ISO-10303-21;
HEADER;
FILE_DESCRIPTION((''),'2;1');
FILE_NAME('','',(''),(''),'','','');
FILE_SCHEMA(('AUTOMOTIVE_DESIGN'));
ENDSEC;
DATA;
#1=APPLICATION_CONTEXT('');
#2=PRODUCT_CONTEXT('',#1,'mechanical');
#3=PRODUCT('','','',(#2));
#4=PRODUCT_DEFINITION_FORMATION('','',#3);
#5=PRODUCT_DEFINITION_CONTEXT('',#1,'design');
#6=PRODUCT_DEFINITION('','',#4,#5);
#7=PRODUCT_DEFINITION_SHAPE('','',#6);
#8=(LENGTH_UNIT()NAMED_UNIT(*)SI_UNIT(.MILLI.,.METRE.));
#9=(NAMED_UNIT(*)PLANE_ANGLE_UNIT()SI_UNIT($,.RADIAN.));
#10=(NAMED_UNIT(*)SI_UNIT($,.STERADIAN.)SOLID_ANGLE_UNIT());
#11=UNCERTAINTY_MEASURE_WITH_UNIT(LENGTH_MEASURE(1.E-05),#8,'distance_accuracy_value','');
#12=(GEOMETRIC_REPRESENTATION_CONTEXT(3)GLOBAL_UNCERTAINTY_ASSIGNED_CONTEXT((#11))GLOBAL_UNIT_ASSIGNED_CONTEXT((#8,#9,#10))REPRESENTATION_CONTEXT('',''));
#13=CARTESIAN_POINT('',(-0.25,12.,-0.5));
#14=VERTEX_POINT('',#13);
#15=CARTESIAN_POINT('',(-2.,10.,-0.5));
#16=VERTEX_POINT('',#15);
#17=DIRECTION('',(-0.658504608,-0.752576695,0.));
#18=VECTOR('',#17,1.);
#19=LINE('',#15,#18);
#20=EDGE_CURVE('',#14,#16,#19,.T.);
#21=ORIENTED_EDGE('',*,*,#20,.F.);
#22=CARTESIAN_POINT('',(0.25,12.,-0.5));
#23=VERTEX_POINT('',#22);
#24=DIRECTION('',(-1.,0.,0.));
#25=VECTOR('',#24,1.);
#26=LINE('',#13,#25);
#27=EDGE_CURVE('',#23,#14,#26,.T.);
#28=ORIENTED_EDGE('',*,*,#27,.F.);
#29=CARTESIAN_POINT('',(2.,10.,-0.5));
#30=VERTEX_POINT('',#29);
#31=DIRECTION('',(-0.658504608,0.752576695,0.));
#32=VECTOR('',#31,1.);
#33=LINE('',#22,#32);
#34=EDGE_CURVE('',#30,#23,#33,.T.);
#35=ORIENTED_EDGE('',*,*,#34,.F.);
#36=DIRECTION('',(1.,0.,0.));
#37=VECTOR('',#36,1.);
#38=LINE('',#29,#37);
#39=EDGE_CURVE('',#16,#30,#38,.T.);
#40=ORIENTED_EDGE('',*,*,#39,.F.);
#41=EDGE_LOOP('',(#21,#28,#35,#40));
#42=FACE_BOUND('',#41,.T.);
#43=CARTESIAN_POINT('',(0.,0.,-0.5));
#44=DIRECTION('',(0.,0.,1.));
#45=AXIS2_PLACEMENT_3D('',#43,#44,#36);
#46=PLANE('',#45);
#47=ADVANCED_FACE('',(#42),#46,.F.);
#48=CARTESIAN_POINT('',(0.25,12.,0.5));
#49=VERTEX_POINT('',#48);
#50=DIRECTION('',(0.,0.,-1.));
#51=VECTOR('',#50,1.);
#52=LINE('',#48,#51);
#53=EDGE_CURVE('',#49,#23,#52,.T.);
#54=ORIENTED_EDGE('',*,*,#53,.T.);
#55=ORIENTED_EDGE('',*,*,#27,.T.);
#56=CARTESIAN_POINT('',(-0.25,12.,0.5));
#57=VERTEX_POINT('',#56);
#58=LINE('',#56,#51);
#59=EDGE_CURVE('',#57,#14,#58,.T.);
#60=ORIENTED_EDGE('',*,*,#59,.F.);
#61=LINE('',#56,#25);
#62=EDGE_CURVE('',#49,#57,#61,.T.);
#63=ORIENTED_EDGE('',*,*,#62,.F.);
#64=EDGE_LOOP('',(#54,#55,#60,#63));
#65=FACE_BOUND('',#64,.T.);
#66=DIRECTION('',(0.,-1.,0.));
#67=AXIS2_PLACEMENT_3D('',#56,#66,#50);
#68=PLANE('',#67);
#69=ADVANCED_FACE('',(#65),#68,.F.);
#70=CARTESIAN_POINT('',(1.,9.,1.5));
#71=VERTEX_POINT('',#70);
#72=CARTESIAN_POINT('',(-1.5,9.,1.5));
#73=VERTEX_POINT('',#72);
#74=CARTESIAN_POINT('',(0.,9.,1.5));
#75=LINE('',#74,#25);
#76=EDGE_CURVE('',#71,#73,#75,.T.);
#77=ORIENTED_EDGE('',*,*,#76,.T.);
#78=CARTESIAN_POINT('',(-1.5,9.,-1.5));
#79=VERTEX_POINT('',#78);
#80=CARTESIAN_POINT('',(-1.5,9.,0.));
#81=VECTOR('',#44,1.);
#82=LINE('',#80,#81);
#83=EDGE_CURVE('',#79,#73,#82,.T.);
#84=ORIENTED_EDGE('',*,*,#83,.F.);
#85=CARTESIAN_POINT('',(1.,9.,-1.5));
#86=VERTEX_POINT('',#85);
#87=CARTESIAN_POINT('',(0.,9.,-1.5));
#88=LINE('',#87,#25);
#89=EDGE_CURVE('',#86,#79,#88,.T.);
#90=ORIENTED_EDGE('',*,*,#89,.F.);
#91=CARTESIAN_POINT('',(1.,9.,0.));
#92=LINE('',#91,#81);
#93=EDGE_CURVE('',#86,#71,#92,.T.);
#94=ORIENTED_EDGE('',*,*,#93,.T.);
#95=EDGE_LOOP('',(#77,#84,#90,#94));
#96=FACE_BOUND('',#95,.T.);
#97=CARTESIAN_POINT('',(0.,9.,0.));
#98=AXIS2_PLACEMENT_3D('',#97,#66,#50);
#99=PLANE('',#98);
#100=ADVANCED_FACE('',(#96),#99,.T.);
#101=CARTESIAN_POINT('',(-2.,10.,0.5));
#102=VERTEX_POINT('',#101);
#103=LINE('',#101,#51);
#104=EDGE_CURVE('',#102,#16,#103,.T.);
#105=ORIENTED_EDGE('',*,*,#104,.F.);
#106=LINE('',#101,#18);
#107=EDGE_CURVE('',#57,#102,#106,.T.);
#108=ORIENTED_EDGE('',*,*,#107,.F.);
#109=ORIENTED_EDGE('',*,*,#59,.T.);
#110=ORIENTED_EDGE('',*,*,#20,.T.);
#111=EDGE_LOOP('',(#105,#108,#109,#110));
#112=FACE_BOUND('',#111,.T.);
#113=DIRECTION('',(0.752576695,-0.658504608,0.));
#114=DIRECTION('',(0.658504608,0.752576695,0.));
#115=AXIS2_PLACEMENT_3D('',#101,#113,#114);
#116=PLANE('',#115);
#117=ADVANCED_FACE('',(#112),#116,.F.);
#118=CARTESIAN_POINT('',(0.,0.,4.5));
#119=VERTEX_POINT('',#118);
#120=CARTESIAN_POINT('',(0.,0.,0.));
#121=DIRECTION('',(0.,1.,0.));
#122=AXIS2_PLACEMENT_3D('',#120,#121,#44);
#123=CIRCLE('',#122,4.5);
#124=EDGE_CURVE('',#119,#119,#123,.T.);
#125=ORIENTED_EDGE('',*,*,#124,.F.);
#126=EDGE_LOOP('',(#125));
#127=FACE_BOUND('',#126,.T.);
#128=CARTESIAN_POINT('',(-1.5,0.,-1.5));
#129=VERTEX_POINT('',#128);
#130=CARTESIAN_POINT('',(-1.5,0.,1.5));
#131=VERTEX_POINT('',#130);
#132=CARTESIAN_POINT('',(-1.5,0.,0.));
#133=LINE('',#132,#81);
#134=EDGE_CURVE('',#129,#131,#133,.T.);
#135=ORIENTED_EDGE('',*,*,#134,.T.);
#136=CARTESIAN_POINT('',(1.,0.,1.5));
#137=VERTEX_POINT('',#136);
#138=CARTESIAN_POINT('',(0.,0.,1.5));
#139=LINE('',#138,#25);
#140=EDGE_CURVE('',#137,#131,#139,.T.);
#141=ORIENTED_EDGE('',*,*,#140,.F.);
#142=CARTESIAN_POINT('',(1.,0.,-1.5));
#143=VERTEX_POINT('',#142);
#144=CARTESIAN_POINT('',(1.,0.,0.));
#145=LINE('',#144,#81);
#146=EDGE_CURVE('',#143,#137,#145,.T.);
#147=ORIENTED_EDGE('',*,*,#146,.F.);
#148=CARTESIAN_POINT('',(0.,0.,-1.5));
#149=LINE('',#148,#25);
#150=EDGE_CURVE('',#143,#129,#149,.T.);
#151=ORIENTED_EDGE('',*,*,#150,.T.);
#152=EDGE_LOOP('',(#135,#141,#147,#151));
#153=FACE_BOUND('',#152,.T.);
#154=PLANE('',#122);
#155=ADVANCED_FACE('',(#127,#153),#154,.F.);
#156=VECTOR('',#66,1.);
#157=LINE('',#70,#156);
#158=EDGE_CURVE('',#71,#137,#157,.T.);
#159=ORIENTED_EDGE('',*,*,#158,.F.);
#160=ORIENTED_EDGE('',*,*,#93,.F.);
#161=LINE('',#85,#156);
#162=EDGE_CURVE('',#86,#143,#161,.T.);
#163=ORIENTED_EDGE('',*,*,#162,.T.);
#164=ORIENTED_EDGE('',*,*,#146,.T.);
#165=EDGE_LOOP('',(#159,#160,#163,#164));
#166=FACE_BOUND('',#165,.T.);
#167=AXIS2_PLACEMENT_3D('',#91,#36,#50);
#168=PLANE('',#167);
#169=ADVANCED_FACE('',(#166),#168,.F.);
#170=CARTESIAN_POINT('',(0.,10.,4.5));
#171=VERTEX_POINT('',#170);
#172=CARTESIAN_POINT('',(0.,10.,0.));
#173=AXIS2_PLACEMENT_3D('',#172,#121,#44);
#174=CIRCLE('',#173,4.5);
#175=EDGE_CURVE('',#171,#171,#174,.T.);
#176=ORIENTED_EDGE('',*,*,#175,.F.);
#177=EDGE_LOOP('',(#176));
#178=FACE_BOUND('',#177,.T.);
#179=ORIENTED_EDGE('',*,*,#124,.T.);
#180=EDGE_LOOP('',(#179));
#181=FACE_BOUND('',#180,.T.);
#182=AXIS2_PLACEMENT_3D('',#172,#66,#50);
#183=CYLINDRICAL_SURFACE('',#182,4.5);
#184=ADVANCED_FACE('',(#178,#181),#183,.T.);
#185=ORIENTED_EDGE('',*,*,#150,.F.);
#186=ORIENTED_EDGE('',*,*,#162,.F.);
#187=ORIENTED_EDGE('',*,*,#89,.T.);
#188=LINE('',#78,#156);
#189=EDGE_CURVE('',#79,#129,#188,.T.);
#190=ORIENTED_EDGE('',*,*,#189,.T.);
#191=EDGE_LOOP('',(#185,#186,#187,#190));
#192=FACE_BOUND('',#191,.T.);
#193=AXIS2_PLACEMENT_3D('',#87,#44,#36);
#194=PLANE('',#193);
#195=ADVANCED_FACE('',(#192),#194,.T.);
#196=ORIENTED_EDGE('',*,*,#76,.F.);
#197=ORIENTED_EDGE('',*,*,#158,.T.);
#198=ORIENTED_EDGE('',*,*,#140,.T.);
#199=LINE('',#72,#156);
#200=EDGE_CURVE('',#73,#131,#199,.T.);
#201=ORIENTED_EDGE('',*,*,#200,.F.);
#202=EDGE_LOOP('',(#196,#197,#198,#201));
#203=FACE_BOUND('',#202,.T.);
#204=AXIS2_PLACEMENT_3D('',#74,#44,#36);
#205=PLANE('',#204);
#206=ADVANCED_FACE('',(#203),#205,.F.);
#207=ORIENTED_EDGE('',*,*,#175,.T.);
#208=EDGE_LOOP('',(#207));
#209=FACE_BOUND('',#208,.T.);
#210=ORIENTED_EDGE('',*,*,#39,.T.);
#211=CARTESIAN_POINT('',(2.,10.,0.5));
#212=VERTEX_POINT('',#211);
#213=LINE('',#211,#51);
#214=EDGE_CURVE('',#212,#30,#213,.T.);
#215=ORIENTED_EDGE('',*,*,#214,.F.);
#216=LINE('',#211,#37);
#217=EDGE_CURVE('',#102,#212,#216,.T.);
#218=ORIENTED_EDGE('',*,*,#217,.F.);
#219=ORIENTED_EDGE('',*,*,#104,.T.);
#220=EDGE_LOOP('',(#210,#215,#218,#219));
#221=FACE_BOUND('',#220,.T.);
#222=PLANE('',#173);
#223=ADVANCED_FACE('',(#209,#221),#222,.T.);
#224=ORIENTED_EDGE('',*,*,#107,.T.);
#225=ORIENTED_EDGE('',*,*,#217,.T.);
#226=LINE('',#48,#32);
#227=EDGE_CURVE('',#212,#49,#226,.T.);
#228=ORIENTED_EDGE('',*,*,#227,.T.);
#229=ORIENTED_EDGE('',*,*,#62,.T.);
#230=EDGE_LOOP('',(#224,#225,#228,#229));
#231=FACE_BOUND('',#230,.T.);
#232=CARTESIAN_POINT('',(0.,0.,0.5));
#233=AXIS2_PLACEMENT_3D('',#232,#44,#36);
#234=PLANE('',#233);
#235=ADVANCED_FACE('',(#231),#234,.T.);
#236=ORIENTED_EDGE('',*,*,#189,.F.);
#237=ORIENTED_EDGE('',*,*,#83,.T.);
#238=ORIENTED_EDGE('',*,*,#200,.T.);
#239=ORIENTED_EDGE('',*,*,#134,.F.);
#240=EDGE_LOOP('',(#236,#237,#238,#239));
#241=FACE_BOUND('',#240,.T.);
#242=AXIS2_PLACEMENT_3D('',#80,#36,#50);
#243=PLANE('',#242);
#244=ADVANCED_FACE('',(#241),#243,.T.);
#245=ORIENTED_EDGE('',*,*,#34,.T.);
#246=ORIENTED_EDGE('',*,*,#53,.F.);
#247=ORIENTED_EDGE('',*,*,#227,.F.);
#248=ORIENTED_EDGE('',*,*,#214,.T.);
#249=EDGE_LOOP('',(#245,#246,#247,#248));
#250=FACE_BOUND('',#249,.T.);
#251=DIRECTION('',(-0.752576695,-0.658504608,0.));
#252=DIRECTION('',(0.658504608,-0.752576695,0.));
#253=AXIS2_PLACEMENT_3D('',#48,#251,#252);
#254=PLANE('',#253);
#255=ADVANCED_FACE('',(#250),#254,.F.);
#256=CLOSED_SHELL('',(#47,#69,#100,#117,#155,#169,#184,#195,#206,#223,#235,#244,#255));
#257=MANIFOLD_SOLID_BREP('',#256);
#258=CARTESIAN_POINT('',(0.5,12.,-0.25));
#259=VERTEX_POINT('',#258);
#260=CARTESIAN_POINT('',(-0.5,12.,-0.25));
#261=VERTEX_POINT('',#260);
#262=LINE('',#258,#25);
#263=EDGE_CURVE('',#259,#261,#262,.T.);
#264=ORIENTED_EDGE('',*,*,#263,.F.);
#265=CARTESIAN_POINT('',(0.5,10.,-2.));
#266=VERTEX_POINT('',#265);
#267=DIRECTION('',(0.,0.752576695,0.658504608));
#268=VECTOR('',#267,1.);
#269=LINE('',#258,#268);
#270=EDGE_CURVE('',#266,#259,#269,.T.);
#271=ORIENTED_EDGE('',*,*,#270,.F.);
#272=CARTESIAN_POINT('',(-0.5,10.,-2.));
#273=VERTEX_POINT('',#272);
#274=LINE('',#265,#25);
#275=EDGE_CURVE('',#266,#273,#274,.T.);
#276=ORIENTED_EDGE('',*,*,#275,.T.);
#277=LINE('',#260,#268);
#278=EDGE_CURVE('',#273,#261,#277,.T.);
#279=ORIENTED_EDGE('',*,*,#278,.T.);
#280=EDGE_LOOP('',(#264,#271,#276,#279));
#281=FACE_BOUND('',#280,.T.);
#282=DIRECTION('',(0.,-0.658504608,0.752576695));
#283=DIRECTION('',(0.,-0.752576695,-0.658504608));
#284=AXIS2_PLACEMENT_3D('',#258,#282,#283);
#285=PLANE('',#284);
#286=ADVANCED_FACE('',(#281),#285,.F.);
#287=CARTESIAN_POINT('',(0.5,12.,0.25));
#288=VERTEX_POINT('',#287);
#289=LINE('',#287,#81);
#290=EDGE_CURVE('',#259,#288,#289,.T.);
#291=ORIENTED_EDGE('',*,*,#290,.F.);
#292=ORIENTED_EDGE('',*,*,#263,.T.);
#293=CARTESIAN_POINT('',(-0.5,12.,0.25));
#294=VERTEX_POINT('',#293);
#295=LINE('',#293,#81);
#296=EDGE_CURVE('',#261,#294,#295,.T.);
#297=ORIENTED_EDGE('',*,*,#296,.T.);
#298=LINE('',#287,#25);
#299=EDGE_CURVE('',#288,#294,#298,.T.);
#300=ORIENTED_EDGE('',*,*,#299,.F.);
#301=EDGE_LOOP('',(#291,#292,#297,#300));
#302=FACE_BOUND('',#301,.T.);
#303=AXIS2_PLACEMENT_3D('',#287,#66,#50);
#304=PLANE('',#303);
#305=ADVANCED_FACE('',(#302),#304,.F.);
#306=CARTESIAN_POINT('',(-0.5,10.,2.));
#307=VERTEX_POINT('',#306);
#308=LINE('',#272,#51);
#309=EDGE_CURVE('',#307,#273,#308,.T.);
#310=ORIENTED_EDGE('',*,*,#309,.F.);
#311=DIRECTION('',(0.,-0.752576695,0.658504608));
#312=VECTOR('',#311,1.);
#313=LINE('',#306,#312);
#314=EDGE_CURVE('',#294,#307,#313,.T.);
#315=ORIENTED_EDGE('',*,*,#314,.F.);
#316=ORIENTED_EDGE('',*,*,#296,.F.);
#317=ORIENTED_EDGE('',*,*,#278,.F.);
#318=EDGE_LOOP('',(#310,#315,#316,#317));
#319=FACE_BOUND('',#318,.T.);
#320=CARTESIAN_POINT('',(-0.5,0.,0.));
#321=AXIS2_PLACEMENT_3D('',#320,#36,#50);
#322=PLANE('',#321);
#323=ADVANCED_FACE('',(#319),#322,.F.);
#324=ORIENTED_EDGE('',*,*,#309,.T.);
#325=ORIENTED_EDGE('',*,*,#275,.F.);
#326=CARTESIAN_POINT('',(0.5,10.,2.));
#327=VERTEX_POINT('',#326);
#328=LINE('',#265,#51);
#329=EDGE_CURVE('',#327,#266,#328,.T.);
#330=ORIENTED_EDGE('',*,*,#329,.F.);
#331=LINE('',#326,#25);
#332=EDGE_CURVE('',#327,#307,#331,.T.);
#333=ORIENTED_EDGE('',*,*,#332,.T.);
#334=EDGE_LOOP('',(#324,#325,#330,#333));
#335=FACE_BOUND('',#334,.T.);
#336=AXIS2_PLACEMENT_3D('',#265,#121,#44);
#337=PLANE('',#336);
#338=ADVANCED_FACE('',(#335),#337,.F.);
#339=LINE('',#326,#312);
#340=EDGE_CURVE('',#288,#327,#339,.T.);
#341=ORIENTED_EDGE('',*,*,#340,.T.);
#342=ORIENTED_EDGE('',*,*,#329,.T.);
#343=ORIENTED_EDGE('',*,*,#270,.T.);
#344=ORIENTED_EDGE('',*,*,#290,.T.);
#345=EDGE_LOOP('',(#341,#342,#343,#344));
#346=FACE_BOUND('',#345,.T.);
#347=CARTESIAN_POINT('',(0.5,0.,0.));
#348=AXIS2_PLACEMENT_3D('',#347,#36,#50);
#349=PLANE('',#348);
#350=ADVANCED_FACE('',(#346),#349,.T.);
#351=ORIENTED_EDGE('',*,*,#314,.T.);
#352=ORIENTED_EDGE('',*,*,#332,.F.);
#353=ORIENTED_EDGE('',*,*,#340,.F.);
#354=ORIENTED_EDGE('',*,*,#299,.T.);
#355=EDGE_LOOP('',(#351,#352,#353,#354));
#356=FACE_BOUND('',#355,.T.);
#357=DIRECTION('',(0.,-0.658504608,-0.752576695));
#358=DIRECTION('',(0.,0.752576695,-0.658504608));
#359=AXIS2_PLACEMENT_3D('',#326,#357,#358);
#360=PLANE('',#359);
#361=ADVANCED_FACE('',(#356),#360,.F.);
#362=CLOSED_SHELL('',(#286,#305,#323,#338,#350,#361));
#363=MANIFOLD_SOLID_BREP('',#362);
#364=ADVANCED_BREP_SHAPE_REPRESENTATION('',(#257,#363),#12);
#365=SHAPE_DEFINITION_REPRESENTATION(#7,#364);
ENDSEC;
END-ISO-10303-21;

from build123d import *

# Parameters (mm, degrees)
SKETCH_1_R          = 4.5
SKETCH_1_W          = 2.5
SKETCH_1_H          = 3
EXTRUDE_1_DEPTH     = 10
SKETCH_2_W          = 2.5
SKETCH_2_H          = 3
CUT_EXTRUDE_1_DEPTH = 9
EXTRUDE_2_DEPTH     = 0.5
EXTRUDE_3_DEPTH     = 0.5


with BuildPart() as part:
    # Эскиз1 → Бобышка-Вытянуть1 (new body)
    # profile 1 of 2: a face of its own
    with BuildSketch(Plane(origin=(0, 0, 0), x_dir=(1, 0, 0), z_dir=(0, 1, 0))):
        with Locations(Location((0, 0, 0), (0, 0, 270))):
            Circle(SKETCH_1_R)
        with Locations((-0.25, 0)):
            Rectangle(SKETCH_1_W, SKETCH_1_H, mode=Mode.SUBTRACT)
    # profile 2 of 2: a face of its own
    with BuildSketch(Plane(origin=(0, 0, 0), x_dir=(1, 0, 0), z_dir=(0, 1, 0))):
        with Locations((-0.25, 0)):
            Rectangle(SKETCH_1_W, SKETCH_1_H)
    extrude(amount=EXTRUDE_1_DEPTH)

    # Эскиз2 → Вырез-Вытянуть1 (cut)
    with BuildSketch(Plane(origin=(0, 0, 0), x_dir=(1, 0, 0), z_dir=(0, 1, 0))):
        with Locations((-0.25, 0)):
            Rectangle(SKETCH_2_W, SKETCH_2_H)
    extrude(amount=CUT_EXTRUDE_1_DEPTH, mode=Mode.SUBTRACT)

    # Эскиз3 → Бобышка-Вытянуть2 (add, symmetric)
    with BuildSketch(Plane.XY):
        Polygon((2, 10), (-2, 10), (-0.25, 12), (0.25, 12), align=None)
    extrude(amount=EXTRUDE_2_DEPTH, both=True)


with BuildPart() as body_2:
    # Эскиз4 → Бобышка-Вытянуть3 (new, symmetric)
    with BuildSketch(Plane(origin=(0, 0, 0), x_dir=(0, 0, -1), z_dir=(1, 0, 0))):
        Polygon((2, 10), (-2, 10), (-0.25, 12), (0.25, 12), align=None)
    extrude(amount=EXTRUDE_3_DEPTH, both=True)


solid = Compound([part.part, body_2.part])
